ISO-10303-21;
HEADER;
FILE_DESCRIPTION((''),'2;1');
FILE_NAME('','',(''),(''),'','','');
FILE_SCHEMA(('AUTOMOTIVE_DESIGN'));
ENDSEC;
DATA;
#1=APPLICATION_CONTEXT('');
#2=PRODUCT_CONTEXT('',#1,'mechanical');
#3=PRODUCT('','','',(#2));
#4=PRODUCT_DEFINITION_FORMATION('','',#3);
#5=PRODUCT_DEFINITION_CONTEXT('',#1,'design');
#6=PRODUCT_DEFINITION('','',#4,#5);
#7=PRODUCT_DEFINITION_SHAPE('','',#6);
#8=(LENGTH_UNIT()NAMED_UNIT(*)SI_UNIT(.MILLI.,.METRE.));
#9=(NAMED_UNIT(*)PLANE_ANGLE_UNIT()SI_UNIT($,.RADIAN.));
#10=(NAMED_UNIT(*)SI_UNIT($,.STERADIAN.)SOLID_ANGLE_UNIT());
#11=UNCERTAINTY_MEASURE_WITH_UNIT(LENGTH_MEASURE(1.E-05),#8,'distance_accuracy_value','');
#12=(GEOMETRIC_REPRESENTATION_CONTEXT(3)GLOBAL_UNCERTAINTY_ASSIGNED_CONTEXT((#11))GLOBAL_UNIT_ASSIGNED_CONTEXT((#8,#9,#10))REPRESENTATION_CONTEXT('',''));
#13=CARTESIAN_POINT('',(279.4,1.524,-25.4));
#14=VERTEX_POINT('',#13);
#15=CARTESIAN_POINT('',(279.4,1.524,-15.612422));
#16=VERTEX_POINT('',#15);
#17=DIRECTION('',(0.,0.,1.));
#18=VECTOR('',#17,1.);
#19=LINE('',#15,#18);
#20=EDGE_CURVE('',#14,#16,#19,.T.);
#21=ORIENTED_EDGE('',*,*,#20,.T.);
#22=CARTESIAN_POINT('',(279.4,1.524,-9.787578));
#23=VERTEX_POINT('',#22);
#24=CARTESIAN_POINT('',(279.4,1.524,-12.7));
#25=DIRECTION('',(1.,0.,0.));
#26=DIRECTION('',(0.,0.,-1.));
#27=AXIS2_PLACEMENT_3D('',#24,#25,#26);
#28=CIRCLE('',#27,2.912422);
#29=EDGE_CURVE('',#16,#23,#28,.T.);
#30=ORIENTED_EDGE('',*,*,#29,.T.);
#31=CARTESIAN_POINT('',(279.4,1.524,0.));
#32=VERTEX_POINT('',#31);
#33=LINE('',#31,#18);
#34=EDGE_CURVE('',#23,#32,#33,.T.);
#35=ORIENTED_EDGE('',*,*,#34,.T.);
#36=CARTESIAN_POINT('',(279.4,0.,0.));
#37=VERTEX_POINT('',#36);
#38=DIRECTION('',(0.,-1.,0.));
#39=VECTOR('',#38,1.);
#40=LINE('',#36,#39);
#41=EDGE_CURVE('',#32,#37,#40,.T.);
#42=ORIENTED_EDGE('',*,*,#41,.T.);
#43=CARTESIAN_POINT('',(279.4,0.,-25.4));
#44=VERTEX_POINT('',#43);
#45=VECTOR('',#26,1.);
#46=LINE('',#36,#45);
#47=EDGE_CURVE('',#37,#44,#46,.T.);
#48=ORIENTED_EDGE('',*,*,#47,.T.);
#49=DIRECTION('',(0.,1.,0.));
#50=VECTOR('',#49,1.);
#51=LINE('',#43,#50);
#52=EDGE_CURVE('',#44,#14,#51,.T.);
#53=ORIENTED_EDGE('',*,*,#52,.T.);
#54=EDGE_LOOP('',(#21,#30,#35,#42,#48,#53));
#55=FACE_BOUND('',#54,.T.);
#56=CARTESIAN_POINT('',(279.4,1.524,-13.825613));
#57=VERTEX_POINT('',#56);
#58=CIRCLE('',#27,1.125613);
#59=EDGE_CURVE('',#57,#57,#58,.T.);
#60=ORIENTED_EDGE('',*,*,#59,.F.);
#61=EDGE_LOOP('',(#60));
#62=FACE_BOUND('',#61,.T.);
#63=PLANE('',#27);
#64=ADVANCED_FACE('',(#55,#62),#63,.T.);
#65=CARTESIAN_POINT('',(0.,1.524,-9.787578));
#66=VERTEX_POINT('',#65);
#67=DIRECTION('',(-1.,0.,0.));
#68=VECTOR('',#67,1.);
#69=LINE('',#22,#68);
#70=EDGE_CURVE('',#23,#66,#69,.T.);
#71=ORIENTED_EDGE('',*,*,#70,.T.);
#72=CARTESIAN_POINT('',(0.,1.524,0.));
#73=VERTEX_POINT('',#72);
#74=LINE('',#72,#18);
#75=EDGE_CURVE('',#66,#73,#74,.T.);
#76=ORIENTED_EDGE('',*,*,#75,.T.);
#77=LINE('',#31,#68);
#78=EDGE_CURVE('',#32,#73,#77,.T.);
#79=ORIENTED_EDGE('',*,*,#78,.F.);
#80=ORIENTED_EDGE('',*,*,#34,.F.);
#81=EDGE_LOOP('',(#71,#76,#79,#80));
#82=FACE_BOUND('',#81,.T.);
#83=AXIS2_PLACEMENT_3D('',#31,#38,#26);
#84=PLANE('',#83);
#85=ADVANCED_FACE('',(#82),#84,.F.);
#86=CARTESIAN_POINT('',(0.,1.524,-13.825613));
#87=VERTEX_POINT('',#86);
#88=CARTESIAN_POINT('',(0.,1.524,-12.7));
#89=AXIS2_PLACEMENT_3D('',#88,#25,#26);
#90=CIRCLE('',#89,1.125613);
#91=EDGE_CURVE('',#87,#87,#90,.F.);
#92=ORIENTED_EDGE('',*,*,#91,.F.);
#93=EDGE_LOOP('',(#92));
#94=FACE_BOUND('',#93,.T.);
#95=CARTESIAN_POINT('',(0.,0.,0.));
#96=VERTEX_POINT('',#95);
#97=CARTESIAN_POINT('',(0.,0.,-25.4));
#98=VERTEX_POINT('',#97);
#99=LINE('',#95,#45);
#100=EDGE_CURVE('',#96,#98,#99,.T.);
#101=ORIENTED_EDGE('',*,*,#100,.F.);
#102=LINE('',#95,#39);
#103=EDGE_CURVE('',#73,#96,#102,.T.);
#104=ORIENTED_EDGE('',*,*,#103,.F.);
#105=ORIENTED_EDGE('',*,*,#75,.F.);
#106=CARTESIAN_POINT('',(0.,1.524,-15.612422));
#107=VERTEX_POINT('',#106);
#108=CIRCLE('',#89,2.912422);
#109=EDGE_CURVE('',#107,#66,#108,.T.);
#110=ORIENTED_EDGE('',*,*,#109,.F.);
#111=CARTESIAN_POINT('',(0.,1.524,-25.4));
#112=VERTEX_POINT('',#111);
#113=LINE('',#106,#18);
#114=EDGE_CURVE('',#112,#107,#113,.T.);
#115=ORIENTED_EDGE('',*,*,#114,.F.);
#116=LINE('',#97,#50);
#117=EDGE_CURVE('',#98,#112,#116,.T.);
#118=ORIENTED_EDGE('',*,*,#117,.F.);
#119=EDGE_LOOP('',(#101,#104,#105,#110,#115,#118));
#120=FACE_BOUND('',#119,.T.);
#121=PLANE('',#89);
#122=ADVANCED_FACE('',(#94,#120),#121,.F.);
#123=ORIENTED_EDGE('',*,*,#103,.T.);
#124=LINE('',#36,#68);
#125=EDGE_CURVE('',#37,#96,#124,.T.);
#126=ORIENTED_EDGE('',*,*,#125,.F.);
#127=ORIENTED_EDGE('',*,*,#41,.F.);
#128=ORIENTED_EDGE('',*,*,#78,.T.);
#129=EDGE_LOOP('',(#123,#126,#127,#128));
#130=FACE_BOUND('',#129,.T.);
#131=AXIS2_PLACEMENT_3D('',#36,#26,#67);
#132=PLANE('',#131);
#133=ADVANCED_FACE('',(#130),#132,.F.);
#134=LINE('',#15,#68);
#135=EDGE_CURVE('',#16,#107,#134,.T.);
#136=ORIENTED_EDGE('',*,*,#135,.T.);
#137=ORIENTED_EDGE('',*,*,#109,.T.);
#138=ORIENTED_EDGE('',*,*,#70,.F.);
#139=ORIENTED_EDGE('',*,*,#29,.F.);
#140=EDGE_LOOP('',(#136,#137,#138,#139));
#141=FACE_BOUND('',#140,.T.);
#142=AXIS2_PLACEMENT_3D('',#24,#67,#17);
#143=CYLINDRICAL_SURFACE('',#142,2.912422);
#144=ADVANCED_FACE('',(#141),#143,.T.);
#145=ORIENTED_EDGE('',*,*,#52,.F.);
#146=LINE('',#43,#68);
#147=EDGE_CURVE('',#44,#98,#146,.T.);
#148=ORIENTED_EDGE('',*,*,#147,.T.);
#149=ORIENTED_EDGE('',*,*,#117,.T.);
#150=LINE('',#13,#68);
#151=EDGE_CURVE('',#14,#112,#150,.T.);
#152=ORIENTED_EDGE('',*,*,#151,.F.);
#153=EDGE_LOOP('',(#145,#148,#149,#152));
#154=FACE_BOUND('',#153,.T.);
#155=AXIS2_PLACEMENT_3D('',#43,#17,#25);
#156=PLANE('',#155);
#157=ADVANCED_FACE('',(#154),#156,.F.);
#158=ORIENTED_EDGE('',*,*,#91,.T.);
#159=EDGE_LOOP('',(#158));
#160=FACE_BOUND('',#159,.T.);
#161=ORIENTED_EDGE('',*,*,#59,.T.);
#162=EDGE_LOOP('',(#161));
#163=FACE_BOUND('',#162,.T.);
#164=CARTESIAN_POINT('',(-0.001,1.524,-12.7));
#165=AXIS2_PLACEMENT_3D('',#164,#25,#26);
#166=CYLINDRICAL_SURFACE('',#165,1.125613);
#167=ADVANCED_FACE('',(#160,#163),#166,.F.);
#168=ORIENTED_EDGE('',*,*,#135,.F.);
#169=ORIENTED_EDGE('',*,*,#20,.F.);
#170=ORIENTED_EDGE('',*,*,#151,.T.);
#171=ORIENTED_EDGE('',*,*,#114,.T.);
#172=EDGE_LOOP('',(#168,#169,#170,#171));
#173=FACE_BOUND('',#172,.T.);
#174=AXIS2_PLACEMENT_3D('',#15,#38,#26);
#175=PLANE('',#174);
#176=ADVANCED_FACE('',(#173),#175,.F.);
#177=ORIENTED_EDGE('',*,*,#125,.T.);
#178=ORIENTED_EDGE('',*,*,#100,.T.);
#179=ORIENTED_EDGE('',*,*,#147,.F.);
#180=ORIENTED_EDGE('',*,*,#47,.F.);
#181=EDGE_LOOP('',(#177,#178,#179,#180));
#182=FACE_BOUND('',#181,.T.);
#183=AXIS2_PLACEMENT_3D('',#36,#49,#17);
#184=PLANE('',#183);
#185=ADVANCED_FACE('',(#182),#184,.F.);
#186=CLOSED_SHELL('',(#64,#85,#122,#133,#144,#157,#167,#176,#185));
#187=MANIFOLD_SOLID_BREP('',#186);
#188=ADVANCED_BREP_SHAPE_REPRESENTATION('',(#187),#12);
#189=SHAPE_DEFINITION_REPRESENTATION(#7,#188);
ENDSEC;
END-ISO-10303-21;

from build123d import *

# Parameters (mm, degrees)
BOSS_EXTRUDE1_DEPTH = 279.4
CUT_EXTRUDE1_REACH  = 281.4
SKETCH2_R           = 1.125613493


with BuildPart() as part:
    # Sketch1 → Boss-Extrude1 (new body)
    with BuildSketch(Plane(origin=(0, 0, 0), x_dir=(0, 0, -1), z_dir=(1, 0, 0))):
        with BuildLine():
            Line((15.612422091, 1.524), (25.4, 1.524))
            Line((25.4, 1.524), (25.4, 0))
            Line((25.4, 0), (0, 0))
            Line((0, 0), (0, 1.524))
            Line((0, 1.524), (9.787577909, 1.524))
            ThreePointArc((9.787577909, 1.524), (12.7, 4.436422091), (15.612422091, 1.524))
        make_face()
    extrude(amount=BOSS_EXTRUDE1_DEPTH)

    # Sketch2 → Cut-Extrude1 (cut, up to next)
    with BuildSketch(Plane(origin=(279.4, 0, 0), x_dir=(0, 0, -1), z_dir=(1, 0, 0)), mode=Mode.PRIVATE) as cut_extrude1_sk1:
        with Locations((12.7, 1.524)):
            Circle(SKETCH2_R)
    cut_extrude1_tool1 = extrude(cut_extrude1_sk1.sketch, amount=-CUT_EXTRUDE1_REACH, mode=Mode.PRIVATE) & part.part
    add(cut_extrude1_tool1.solids().sort_by_distance((279.4, 1.524, -12.7))[0], mode=Mode.SUBTRACT)


solid = part.part
